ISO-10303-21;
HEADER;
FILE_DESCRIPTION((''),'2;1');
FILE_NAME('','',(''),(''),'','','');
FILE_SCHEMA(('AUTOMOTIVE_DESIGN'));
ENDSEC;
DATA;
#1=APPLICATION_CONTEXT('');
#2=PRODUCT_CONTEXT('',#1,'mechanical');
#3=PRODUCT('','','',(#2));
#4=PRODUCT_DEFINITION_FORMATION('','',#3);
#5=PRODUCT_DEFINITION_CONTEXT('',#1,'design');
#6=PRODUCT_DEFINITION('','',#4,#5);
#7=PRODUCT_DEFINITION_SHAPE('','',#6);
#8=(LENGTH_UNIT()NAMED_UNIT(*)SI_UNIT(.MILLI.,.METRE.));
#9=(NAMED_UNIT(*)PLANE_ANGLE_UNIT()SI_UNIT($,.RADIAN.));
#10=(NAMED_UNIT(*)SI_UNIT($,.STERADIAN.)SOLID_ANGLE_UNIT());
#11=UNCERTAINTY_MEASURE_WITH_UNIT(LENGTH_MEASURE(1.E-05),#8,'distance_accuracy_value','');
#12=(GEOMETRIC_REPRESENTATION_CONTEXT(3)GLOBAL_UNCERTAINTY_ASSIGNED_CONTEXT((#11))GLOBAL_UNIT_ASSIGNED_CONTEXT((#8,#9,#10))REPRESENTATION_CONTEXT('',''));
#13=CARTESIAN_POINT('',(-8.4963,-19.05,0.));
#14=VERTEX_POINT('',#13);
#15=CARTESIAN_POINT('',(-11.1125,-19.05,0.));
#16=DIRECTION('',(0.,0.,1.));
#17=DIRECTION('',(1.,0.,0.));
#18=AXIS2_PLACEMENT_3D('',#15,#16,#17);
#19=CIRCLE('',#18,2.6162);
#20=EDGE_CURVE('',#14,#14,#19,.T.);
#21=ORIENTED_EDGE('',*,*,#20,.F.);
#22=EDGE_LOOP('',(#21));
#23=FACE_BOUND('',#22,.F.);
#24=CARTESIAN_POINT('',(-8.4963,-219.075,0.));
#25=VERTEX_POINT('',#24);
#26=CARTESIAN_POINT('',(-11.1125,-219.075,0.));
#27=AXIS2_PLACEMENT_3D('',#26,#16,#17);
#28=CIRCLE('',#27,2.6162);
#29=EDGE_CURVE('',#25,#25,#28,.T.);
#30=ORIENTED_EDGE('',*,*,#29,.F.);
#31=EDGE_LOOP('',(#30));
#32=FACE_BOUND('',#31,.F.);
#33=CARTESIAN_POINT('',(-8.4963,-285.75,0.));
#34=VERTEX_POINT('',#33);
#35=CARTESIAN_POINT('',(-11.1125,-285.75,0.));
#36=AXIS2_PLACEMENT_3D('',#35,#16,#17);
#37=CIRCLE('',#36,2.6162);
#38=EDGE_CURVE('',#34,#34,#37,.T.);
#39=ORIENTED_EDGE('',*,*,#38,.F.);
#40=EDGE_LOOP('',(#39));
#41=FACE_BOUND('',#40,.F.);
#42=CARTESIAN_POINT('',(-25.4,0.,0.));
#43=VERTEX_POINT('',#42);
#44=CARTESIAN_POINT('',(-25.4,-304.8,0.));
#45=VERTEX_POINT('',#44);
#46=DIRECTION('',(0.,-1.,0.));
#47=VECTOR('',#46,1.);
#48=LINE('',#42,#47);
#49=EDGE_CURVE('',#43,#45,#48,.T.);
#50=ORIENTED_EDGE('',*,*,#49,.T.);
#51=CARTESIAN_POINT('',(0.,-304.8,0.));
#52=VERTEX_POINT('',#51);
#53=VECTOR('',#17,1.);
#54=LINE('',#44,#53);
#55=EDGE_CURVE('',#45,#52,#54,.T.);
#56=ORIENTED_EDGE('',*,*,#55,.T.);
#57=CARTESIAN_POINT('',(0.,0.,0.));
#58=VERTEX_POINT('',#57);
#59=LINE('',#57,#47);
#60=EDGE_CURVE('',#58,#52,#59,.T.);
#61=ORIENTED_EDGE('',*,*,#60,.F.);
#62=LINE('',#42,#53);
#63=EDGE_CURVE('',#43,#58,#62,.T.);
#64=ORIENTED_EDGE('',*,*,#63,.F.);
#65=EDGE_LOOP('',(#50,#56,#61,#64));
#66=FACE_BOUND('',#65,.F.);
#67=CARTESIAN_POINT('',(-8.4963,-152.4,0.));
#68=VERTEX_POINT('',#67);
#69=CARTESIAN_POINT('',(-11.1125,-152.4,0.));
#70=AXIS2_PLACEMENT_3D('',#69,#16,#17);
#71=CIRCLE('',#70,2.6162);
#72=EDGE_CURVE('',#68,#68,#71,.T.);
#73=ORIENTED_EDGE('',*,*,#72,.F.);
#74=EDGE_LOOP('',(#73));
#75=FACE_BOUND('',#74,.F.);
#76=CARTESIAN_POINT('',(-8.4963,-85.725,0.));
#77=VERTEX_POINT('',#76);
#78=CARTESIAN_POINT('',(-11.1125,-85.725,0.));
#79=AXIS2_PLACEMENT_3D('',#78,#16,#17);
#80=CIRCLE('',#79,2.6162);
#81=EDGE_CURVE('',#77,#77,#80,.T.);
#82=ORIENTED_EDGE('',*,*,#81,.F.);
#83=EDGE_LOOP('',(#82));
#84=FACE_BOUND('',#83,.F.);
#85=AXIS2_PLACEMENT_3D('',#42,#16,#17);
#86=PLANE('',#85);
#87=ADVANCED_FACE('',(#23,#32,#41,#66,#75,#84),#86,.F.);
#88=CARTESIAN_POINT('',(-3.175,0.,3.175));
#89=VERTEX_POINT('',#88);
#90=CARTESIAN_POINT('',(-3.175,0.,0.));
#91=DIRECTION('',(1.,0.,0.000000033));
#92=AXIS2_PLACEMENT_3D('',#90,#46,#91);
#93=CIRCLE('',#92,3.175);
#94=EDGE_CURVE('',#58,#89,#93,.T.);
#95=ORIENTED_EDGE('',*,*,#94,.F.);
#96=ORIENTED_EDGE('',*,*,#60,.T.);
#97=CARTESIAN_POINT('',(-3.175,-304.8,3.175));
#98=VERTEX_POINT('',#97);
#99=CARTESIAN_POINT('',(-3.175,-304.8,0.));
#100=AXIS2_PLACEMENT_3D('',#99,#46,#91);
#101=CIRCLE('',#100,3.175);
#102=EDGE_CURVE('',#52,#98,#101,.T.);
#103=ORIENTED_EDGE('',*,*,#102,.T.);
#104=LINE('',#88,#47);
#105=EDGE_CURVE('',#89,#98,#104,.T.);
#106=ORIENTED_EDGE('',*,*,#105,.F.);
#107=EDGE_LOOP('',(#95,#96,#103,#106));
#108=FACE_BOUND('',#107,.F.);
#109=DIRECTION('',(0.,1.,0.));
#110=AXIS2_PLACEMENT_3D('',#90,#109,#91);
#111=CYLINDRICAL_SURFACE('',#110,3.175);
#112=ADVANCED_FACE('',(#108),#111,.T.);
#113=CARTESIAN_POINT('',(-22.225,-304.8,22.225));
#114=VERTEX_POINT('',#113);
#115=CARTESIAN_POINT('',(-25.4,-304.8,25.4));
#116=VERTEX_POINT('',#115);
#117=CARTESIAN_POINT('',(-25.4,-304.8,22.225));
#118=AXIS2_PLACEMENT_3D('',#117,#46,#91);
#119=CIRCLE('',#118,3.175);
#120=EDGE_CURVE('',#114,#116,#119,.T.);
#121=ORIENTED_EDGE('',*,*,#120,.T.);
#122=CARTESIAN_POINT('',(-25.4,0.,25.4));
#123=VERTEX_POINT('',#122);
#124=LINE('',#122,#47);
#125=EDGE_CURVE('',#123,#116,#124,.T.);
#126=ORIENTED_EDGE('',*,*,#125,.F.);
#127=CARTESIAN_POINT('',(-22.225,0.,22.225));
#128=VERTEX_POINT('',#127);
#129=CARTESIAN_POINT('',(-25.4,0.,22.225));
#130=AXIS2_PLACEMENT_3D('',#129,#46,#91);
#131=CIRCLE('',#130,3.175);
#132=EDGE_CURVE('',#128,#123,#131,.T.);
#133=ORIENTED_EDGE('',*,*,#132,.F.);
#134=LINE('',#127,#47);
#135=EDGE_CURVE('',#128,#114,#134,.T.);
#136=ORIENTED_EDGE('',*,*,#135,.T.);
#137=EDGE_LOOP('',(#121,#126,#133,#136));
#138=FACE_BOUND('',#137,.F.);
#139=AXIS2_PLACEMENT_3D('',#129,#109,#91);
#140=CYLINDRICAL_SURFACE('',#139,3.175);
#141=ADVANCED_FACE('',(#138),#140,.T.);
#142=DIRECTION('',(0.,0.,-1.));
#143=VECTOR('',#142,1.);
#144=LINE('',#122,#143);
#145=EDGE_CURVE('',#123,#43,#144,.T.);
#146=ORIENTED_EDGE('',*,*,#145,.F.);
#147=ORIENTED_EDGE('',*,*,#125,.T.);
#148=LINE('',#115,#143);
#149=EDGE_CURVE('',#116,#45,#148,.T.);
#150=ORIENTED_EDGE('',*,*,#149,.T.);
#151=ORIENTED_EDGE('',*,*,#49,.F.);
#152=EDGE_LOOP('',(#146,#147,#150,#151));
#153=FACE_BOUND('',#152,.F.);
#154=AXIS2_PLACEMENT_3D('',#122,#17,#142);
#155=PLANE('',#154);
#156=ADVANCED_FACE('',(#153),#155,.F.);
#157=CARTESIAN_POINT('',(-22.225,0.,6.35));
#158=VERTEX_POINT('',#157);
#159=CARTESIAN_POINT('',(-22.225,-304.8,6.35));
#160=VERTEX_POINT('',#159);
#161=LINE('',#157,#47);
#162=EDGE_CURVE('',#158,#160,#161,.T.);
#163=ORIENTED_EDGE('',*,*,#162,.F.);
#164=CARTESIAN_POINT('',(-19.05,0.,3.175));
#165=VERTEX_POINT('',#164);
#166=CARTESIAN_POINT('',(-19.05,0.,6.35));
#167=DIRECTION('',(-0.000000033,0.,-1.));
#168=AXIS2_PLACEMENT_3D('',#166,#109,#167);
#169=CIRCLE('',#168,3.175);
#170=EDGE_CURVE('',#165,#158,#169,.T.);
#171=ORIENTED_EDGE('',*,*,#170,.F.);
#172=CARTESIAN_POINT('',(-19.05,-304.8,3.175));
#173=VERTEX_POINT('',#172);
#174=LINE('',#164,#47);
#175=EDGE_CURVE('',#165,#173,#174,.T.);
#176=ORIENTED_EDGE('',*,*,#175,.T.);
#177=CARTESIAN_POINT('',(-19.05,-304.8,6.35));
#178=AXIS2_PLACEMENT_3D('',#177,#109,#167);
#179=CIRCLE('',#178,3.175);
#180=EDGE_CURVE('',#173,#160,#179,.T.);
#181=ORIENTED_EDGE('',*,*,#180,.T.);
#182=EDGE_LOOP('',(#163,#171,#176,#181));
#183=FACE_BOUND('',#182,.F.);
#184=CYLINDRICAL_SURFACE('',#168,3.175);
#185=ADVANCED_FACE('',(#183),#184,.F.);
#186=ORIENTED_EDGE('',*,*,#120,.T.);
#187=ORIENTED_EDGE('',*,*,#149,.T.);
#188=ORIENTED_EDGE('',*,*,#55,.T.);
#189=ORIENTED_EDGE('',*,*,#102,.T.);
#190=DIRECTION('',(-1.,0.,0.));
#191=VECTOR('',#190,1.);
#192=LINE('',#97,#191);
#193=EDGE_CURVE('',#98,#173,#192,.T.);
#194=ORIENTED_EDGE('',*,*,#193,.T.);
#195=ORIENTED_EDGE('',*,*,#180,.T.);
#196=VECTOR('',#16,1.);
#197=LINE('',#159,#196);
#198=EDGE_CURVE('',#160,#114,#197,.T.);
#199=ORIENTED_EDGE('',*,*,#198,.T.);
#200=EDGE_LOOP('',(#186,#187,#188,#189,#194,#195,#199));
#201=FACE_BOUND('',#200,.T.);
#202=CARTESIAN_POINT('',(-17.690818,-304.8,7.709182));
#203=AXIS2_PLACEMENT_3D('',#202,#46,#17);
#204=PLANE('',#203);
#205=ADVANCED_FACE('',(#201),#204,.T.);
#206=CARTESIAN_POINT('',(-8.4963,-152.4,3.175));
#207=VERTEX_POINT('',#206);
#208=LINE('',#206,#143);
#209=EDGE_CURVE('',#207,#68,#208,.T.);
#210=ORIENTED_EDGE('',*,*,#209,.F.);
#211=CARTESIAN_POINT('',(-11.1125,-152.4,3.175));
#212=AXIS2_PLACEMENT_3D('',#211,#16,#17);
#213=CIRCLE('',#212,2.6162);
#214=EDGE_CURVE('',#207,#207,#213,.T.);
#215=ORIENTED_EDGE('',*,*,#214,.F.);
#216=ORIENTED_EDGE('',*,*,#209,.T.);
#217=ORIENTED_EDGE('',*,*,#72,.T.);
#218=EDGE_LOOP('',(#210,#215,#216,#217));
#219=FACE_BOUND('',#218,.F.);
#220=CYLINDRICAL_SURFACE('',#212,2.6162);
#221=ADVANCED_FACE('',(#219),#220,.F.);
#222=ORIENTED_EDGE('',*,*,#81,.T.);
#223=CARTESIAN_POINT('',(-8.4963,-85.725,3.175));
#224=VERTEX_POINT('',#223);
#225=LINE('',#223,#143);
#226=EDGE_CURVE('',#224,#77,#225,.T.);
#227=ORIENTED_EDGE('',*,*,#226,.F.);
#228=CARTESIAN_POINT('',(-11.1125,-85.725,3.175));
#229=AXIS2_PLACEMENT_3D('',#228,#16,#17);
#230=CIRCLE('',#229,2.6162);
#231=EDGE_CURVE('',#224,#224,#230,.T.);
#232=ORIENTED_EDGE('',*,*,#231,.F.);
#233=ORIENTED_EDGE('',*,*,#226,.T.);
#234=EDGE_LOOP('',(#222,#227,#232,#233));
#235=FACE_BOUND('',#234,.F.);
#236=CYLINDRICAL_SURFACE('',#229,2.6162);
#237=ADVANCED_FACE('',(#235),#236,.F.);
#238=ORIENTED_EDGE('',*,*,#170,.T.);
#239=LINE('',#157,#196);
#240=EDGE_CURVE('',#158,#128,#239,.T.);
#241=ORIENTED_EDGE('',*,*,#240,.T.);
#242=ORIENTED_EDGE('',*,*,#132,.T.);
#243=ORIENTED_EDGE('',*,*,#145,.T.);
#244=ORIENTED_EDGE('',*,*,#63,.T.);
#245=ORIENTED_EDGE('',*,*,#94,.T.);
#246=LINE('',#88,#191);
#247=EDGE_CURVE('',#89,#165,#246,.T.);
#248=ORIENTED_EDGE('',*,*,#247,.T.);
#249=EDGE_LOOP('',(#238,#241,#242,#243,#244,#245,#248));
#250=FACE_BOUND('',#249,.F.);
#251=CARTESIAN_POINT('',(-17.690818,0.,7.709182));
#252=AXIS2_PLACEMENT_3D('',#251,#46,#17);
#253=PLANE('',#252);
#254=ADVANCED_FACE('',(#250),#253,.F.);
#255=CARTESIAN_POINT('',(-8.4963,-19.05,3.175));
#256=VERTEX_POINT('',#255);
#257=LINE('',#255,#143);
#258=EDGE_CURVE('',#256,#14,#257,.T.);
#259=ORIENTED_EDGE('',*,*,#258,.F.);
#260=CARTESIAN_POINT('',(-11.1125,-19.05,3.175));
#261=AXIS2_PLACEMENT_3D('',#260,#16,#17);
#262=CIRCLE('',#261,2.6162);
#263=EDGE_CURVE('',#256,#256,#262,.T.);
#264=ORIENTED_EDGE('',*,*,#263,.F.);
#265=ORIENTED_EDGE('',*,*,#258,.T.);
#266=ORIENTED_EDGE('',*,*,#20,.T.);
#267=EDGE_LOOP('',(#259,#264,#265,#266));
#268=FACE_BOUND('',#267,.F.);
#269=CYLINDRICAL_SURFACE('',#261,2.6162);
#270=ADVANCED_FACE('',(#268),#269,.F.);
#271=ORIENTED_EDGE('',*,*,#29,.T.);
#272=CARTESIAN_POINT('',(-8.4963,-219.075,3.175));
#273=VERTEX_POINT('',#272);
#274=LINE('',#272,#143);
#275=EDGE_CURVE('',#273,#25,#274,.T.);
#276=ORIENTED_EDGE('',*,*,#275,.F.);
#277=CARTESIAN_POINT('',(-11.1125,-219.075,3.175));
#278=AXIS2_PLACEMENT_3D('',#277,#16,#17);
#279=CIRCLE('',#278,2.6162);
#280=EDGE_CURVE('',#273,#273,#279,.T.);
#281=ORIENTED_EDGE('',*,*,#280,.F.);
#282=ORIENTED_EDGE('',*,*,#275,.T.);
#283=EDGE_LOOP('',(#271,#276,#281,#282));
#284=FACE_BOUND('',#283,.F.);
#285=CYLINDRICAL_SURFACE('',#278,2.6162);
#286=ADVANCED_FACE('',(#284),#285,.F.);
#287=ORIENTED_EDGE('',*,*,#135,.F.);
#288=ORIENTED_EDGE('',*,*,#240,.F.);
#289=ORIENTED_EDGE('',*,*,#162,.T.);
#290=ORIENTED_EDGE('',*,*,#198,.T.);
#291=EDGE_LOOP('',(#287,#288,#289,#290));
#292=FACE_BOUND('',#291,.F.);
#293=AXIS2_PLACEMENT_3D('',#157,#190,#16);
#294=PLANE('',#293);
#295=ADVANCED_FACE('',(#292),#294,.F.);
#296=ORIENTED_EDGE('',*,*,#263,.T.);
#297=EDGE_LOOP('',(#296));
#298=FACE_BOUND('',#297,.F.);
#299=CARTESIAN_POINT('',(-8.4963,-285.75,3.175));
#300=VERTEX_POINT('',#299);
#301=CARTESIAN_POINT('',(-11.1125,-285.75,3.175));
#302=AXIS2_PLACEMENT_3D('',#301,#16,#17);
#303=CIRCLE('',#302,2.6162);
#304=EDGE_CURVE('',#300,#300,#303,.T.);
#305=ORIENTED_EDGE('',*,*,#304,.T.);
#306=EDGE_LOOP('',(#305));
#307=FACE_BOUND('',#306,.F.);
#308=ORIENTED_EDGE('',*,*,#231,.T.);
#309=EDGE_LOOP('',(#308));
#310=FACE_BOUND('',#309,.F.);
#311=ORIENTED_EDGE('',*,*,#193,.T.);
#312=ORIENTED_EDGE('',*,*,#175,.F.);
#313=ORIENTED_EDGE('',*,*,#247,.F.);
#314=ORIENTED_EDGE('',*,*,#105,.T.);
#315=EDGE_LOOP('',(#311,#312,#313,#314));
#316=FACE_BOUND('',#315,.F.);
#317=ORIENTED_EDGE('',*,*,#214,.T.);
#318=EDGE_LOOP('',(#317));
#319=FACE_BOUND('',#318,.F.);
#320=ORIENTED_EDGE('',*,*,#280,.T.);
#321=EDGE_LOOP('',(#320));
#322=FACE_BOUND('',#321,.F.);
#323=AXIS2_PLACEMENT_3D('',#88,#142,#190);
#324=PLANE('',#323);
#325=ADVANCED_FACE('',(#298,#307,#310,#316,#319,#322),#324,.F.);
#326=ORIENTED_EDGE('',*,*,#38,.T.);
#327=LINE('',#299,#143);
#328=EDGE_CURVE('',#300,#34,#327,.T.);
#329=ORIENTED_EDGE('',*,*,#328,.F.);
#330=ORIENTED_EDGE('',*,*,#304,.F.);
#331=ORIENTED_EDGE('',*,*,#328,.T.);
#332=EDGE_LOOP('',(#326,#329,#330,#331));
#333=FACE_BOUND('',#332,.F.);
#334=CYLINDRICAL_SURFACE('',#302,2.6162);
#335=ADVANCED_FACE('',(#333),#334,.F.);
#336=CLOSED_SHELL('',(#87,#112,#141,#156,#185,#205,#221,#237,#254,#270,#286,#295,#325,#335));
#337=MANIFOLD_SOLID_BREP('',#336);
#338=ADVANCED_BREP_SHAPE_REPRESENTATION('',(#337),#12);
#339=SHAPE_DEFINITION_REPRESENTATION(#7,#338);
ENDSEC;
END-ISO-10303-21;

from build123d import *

# Parameters (mm, degrees)
F1_DEPTH = 304.8
F2_R     = 2.6162
F3_DEPTH = 3.176


with BuildPart() as f1:
    # F0 (on Front) → F1 (new body)
    with BuildSketch(Plane.XZ):
        with BuildLine():
            Line((-25.4, 0), (0, 0))
            ThreePointArc((0, 0), (-0.929936, 2.245064), (-3.175, 3.175))
            Line((-3.175, 3.175), (-19.05, 3.175))
            ThreePointArc((-19.05, 3.175), (-21.295064, 4.104936), (-22.225, 6.35))
            Line((-22.225, 6.35), (-22.225, 22.225))
            ThreePointArc((-22.225, 22.225), (-23.154936, 24.470064), (-25.4, 25.4))
            Line((-25.4, 25.4), (-25.4, 0))
        make_face()
    extrude(amount=F1_DEPTH)

    # F2 (on face) → F3 (cut, through all)
    with BuildSketch(Plane.XY.offset(3.175)):
        with Locations((-11.1125, -285.75)):
            Circle(F2_R)
        with Locations((-11.1125, -19.05)):
            Circle(F2_R)
        with Locations((-11.1125, -219.075)):
            Circle(F2_R)
        with Locations((-11.1125, -152.4)):
            Circle(F2_R)
        with Locations((-11.1125, -85.725)):
            Circle(F2_R)
    extrude(amount=-F3_DEPTH, mode=Mode.SUBTRACT)


solid = f1.part
